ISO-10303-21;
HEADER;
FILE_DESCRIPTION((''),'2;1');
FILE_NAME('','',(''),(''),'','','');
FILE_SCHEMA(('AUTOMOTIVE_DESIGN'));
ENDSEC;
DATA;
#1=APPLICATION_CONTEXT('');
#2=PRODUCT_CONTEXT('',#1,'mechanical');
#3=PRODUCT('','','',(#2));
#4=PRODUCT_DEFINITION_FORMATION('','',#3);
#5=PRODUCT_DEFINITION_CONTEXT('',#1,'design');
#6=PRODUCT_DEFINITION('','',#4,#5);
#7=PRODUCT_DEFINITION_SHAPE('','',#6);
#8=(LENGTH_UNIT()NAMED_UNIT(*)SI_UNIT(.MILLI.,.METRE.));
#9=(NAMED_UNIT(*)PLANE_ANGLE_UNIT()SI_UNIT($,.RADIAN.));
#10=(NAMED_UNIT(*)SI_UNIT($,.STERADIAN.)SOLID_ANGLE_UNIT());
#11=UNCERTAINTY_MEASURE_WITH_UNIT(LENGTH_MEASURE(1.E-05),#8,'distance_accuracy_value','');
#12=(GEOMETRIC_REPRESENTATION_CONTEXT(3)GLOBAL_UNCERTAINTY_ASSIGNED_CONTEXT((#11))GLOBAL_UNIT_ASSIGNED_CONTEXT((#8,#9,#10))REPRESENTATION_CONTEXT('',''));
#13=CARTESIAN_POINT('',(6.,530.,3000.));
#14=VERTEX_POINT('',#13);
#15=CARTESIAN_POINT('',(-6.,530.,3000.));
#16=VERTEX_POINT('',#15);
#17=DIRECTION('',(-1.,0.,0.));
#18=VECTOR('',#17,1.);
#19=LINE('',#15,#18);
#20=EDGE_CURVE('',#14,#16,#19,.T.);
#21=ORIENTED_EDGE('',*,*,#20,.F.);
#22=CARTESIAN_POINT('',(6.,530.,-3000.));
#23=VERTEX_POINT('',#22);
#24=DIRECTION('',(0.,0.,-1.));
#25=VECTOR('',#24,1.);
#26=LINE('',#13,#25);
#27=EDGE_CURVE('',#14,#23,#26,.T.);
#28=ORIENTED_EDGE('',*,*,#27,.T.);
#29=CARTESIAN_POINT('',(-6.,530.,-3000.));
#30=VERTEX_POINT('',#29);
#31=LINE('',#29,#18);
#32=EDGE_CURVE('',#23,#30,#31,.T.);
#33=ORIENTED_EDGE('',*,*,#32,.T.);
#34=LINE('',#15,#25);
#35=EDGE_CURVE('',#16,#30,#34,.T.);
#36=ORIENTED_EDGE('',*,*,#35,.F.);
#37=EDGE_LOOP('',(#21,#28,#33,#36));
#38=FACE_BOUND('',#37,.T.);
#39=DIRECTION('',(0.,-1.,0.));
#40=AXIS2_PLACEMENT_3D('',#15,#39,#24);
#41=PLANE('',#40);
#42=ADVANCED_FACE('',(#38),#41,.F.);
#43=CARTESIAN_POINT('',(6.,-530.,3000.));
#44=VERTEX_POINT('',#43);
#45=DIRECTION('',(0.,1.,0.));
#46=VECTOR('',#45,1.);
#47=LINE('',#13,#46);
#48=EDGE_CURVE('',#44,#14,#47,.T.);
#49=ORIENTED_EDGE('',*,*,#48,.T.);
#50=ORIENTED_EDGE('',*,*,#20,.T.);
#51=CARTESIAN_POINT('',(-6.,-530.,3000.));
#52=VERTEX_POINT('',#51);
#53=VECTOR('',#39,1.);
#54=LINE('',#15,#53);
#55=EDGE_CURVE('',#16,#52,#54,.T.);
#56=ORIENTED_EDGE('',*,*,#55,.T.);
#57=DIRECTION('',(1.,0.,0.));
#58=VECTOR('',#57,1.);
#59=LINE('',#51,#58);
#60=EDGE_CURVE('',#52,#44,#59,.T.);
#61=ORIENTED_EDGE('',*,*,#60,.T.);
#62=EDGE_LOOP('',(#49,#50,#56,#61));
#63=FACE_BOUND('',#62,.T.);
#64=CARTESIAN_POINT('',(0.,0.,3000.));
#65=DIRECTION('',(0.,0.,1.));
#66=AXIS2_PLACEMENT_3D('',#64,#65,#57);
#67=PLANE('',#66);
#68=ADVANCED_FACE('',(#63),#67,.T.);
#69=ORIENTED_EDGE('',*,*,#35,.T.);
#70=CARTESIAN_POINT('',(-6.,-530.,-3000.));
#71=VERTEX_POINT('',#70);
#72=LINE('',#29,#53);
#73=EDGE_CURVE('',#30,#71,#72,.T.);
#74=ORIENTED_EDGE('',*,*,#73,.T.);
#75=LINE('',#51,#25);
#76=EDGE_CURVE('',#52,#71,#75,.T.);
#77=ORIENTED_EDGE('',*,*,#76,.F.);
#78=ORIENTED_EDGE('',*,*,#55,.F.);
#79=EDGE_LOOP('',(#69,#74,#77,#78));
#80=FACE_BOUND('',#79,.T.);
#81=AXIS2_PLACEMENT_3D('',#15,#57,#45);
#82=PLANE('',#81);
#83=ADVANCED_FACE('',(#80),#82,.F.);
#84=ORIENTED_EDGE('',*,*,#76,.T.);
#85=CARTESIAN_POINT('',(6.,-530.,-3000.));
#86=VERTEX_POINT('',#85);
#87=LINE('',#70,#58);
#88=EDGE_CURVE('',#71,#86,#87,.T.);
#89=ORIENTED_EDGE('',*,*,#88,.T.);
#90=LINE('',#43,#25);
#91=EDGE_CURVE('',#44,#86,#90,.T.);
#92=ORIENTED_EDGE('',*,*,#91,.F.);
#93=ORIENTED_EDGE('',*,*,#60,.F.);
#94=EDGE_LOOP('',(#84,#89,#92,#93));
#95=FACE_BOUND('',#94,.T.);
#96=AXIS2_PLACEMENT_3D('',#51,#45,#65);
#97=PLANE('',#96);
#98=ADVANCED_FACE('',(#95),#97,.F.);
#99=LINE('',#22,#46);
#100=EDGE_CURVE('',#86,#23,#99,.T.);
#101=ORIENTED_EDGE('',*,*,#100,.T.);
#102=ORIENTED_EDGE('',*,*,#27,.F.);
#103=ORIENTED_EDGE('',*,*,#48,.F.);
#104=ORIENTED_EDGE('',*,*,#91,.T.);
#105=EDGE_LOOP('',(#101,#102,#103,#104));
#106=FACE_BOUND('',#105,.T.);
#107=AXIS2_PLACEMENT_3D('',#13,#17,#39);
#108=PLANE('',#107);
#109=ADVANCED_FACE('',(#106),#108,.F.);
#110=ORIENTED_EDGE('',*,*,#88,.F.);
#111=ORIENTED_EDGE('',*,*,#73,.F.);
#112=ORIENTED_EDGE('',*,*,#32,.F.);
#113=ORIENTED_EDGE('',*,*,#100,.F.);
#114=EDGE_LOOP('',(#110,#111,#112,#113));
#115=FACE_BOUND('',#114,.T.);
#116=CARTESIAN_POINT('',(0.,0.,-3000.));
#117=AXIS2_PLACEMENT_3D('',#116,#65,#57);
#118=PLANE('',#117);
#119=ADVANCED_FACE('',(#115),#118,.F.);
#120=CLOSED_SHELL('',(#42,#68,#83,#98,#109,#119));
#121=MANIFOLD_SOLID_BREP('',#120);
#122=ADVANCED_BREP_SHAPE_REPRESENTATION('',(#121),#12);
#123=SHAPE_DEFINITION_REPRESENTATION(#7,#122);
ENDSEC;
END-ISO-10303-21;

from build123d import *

# Parameters (mm, degrees)
SKETCH_1_W      = 12
SKETCH_1_H      = 1060
EXTRUDE_1_DEPTH = 3000


with BuildPart() as part:
    # 草图1 → 凸台-拉伸1 (new, symmetric)
    with BuildSketch(Plane.XY):
        Rectangle(SKETCH_1_W, SKETCH_1_H)
    extrude(amount=EXTRUDE_1_DEPTH, both=True)


solid = part.part
